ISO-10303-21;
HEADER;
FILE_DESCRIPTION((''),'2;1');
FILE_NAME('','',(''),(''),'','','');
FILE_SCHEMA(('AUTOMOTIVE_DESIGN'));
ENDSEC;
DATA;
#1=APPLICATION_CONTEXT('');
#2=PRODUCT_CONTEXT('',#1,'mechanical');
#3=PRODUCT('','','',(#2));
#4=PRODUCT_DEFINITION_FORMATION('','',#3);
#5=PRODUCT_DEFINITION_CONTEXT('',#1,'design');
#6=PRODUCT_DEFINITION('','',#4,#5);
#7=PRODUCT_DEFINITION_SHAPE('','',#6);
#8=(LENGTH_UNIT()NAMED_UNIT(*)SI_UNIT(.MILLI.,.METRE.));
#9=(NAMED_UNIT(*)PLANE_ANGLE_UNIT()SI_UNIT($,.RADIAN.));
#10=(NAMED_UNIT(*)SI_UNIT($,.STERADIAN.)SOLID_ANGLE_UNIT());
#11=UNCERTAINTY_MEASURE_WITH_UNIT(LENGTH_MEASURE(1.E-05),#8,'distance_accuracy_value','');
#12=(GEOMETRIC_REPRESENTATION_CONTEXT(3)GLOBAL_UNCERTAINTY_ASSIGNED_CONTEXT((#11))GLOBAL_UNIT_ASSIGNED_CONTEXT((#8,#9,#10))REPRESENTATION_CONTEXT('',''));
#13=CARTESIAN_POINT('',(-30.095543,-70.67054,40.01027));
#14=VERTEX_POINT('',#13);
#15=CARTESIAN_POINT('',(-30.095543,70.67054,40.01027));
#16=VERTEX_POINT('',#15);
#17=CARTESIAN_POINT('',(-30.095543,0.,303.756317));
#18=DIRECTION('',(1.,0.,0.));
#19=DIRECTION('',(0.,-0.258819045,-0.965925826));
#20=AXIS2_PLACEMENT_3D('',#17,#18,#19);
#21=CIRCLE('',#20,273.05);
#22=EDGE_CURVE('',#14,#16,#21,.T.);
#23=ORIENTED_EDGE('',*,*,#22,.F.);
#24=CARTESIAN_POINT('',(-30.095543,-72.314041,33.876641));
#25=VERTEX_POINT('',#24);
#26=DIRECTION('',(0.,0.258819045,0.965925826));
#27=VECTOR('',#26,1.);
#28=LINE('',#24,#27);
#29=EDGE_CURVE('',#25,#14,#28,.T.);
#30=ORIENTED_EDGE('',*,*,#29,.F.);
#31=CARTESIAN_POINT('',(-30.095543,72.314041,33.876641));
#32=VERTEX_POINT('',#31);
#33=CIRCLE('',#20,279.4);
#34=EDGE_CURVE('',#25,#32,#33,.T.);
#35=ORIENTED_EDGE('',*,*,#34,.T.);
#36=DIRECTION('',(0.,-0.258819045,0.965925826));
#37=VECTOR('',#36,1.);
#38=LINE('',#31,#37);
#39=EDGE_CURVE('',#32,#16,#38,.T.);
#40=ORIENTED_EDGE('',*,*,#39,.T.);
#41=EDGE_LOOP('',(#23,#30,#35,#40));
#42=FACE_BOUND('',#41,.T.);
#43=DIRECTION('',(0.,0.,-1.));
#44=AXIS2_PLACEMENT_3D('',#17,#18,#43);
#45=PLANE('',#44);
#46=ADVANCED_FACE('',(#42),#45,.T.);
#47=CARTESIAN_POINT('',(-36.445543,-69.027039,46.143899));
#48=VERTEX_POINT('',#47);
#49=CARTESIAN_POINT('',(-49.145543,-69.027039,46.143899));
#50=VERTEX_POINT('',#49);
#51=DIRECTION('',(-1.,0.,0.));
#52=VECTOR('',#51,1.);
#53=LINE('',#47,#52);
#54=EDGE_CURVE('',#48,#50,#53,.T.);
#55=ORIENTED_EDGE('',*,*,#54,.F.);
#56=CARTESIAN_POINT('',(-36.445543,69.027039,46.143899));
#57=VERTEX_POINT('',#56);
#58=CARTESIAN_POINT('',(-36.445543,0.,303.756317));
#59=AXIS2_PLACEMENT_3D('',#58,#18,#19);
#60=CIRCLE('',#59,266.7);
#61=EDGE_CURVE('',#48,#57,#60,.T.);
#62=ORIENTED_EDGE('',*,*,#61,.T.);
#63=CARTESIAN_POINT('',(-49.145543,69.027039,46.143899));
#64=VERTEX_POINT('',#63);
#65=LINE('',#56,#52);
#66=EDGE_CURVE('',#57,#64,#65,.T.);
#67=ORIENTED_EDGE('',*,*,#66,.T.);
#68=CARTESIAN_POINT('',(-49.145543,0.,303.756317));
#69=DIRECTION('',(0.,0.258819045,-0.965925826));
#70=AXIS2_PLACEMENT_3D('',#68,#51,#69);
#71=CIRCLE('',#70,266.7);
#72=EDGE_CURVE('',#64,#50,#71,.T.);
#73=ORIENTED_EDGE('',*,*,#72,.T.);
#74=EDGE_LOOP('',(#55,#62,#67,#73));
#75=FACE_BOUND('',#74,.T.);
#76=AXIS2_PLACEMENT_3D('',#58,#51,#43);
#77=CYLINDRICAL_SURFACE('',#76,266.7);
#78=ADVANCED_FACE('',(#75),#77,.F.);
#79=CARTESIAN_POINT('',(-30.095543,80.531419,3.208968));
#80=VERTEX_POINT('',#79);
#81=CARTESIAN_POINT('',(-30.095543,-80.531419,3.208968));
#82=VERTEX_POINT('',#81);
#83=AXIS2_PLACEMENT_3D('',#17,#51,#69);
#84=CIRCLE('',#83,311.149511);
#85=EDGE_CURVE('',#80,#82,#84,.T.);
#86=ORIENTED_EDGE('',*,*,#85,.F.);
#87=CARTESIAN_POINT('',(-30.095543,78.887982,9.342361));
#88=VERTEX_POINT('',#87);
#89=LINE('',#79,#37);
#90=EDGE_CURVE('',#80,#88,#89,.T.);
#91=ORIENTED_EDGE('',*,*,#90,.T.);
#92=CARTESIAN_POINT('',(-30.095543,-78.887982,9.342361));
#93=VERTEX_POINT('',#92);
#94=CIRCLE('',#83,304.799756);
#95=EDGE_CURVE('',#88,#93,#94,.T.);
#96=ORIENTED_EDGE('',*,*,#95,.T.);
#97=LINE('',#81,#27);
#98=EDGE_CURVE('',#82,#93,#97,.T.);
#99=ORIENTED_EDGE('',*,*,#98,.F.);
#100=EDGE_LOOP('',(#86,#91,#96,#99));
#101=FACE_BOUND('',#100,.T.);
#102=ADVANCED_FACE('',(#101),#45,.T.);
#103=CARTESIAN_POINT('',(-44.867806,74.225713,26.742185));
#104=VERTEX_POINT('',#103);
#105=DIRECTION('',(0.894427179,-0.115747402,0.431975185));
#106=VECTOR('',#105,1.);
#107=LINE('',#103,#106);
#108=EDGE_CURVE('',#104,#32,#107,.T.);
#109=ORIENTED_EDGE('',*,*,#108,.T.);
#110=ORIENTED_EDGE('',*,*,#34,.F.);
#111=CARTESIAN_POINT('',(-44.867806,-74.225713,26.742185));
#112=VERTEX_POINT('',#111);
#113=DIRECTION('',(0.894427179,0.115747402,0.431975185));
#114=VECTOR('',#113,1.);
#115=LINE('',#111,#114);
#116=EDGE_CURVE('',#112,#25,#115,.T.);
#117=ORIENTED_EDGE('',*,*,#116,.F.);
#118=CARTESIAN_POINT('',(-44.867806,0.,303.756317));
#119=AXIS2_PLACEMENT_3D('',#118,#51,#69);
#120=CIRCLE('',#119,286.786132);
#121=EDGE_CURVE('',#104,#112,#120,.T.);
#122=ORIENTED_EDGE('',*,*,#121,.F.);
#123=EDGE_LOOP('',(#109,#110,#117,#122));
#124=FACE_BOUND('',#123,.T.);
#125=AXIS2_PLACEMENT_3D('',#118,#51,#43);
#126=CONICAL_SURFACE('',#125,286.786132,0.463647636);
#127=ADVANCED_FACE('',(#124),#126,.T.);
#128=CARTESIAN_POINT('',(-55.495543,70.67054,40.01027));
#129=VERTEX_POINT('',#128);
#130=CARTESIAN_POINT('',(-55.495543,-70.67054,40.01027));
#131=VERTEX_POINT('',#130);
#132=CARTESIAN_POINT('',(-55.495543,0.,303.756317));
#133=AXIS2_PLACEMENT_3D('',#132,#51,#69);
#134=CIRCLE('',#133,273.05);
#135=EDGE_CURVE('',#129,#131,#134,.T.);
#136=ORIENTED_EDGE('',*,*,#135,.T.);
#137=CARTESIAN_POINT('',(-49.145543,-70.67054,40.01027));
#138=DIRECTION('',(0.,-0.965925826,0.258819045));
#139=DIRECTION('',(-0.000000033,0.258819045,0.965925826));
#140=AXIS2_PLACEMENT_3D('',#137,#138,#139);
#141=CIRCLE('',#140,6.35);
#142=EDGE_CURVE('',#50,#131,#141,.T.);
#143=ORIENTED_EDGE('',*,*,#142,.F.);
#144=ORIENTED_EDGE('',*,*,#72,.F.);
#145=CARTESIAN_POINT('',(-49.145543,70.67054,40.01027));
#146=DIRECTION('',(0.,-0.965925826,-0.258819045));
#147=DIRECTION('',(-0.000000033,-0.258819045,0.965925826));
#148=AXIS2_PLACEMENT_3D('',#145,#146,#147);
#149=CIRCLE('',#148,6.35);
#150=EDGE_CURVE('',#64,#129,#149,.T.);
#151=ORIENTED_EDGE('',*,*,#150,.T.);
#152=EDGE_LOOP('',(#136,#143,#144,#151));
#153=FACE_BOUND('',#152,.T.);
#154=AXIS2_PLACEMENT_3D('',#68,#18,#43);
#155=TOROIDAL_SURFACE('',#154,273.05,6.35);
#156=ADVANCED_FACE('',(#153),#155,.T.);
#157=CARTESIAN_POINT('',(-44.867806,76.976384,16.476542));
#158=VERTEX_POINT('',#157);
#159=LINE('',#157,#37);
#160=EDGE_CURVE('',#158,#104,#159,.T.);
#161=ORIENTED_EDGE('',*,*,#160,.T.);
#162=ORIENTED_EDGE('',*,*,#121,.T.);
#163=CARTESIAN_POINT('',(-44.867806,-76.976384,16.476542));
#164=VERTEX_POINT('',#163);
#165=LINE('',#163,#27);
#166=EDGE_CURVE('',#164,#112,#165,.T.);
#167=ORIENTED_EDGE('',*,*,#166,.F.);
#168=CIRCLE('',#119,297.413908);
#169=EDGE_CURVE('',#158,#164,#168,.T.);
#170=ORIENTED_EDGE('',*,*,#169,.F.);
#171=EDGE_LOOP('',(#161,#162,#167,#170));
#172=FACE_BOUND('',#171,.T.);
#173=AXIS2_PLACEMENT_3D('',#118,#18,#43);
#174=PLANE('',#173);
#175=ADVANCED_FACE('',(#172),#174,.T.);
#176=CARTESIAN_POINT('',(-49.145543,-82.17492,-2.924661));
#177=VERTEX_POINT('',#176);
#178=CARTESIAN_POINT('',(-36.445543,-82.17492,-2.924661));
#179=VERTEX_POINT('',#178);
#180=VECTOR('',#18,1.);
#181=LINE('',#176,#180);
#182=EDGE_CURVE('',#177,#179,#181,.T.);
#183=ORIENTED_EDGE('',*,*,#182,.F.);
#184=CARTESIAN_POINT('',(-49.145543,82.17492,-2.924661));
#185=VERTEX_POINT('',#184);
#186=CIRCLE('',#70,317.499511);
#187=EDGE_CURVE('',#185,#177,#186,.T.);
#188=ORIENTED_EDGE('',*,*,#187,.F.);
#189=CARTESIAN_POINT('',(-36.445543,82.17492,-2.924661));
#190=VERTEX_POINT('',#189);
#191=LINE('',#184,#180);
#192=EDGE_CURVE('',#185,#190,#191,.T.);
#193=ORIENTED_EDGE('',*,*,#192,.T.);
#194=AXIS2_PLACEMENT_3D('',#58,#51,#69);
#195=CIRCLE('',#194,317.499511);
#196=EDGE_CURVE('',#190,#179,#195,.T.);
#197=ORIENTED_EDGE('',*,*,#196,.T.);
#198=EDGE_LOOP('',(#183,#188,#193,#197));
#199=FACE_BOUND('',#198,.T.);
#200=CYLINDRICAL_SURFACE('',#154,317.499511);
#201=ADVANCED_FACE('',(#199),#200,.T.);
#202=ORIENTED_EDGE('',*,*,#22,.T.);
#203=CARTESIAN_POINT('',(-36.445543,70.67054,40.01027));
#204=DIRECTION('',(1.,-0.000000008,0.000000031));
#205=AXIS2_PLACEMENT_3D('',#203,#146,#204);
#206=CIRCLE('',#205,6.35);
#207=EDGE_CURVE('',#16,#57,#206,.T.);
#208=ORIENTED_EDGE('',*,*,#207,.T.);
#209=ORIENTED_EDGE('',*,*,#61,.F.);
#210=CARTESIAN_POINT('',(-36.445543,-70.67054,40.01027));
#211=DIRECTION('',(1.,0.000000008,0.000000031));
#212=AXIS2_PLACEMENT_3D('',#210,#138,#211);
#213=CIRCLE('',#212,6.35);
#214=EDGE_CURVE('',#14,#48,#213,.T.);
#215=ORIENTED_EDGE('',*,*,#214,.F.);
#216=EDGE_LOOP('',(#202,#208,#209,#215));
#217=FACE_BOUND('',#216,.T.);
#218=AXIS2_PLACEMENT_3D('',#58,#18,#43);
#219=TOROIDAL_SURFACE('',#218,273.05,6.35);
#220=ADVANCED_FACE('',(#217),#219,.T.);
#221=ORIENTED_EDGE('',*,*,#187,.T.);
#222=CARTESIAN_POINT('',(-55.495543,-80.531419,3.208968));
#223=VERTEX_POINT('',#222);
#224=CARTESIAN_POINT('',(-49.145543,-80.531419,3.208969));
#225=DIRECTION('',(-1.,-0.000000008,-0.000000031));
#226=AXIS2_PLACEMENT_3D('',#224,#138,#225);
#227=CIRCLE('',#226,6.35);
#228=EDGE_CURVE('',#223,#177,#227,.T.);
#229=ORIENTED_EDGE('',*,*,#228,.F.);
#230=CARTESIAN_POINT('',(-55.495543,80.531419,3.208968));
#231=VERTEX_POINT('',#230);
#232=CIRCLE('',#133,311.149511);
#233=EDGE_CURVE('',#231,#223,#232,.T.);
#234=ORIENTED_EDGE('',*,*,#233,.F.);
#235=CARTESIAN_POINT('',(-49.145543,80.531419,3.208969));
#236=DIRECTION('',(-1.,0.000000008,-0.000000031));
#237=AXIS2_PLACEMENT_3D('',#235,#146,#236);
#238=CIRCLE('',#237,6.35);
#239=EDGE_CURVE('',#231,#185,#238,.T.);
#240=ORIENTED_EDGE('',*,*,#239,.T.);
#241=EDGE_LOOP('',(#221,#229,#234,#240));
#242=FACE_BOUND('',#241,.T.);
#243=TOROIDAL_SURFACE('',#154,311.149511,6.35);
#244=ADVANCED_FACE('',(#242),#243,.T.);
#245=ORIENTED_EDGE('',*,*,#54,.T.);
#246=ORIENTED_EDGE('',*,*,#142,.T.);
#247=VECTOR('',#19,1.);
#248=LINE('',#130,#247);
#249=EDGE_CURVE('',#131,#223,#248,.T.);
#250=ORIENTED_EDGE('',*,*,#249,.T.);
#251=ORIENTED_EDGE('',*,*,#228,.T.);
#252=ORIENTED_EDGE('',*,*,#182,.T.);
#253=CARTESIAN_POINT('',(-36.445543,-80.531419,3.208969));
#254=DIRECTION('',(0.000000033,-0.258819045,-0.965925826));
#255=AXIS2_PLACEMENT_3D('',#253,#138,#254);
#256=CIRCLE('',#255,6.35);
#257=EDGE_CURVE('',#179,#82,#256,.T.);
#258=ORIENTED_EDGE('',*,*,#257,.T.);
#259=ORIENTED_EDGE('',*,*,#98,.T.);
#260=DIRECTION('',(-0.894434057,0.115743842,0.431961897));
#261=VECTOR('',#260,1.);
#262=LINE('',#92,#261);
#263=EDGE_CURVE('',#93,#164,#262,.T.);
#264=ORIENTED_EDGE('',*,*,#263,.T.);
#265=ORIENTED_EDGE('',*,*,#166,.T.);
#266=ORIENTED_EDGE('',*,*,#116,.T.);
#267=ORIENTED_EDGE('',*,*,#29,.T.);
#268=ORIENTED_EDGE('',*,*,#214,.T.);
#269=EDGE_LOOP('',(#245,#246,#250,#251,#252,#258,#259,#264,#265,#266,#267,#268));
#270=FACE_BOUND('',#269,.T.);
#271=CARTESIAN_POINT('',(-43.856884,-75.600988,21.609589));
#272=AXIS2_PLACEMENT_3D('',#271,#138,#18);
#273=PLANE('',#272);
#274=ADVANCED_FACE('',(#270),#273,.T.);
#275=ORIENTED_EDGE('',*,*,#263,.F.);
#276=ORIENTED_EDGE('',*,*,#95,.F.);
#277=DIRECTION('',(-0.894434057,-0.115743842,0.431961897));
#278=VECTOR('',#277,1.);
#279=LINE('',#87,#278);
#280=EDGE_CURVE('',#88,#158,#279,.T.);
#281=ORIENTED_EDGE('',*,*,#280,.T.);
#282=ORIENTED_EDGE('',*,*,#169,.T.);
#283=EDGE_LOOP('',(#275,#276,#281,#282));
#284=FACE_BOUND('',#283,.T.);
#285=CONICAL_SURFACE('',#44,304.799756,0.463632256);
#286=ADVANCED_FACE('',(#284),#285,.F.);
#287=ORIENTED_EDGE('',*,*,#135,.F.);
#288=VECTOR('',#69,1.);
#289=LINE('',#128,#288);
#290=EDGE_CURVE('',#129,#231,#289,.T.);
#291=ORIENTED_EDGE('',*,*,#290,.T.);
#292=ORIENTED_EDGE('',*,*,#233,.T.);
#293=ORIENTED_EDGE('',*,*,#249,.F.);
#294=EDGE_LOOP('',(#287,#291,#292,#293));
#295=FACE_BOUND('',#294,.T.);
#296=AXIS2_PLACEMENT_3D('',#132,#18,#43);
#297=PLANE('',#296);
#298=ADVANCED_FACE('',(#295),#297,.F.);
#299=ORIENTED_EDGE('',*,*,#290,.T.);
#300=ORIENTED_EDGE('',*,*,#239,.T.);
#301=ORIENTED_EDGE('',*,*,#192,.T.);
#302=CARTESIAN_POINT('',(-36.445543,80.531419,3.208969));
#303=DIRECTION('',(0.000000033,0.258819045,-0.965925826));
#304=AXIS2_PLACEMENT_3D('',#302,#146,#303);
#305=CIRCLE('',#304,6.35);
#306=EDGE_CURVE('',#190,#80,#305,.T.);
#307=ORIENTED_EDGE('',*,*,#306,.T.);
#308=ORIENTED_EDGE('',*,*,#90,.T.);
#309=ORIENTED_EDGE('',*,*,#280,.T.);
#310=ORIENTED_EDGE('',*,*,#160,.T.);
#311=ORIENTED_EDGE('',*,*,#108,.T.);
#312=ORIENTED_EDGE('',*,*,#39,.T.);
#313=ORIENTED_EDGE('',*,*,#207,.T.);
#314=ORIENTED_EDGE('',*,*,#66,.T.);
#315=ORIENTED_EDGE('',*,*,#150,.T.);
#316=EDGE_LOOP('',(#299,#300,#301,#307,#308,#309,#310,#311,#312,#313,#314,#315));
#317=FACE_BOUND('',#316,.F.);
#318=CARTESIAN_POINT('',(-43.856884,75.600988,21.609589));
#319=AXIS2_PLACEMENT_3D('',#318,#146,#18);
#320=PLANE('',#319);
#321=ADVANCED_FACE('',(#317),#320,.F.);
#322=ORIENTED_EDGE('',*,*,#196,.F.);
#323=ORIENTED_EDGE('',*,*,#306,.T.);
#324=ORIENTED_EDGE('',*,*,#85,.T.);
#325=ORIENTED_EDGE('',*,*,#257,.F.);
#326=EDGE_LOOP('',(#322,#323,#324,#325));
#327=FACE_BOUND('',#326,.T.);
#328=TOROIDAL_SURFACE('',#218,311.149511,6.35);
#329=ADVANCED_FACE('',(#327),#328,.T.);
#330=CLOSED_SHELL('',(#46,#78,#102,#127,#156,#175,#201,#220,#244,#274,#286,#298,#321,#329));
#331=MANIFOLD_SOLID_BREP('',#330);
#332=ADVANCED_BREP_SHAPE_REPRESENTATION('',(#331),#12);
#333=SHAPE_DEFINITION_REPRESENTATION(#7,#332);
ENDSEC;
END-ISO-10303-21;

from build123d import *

# Parameters (mm, degrees)
F1_ANGLE = 30


with BuildPart() as f1:
    # F0 (on Front) → F1 (revolve, symmetric)
    with BuildSketch(Plane.XZ) as f1_sk:
        with BuildLine():
            Line((-36.445543, 37.056317), (-49.145543, 37.056317))
            ThreePointArc((-49.145543, 37.056317), (-53.635671, 35.196445), (-55.495543, 30.706317))
            Line((-55.495543, 30.706317), (-55.495543, -7.393194))
            ThreePointArc((-55.495543, -7.393194), (-53.635671, -11.883322), (-49.145543, -13.743194))
            Line((-49.145543, -13.743194), (-36.445543, -13.743194))
            ThreePointArc((-36.445543, -13.743194), (-31.955415, -11.883322), (-30.095543, -7.393194))
            Line((-30.095543, -7.393194), (-30.095543, -1.043439))
            Line((-30.095543, -1.043439), (-44.867806, 6.342409))
            Line((-44.867806, 6.342409), (-44.867806, 11.656297))
            Line((-44.867806, 11.656297), (-44.867806, 16.970185))
            Line((-44.867806, 16.970185), (-30.095543, 24.356317))
            Line((-30.095543, 24.356317), (-30.095543, 30.706317))
            ThreePointArc((-30.095543, 30.706317), (-31.955415, 35.196445), (-36.445543, 37.056317))
        make_face()
    revolve(axis=Axis((-47.507189, 0, 303.756317), (-1, 0, 0)), revolution_arc=F1_ANGLE / 2)
    revolve(f1_sk.sketch, axis=Axis((-47.507189, 0, 303.756317), (1, 0, 0)), revolution_arc=F1_ANGLE / 2)


solid = f1.part
